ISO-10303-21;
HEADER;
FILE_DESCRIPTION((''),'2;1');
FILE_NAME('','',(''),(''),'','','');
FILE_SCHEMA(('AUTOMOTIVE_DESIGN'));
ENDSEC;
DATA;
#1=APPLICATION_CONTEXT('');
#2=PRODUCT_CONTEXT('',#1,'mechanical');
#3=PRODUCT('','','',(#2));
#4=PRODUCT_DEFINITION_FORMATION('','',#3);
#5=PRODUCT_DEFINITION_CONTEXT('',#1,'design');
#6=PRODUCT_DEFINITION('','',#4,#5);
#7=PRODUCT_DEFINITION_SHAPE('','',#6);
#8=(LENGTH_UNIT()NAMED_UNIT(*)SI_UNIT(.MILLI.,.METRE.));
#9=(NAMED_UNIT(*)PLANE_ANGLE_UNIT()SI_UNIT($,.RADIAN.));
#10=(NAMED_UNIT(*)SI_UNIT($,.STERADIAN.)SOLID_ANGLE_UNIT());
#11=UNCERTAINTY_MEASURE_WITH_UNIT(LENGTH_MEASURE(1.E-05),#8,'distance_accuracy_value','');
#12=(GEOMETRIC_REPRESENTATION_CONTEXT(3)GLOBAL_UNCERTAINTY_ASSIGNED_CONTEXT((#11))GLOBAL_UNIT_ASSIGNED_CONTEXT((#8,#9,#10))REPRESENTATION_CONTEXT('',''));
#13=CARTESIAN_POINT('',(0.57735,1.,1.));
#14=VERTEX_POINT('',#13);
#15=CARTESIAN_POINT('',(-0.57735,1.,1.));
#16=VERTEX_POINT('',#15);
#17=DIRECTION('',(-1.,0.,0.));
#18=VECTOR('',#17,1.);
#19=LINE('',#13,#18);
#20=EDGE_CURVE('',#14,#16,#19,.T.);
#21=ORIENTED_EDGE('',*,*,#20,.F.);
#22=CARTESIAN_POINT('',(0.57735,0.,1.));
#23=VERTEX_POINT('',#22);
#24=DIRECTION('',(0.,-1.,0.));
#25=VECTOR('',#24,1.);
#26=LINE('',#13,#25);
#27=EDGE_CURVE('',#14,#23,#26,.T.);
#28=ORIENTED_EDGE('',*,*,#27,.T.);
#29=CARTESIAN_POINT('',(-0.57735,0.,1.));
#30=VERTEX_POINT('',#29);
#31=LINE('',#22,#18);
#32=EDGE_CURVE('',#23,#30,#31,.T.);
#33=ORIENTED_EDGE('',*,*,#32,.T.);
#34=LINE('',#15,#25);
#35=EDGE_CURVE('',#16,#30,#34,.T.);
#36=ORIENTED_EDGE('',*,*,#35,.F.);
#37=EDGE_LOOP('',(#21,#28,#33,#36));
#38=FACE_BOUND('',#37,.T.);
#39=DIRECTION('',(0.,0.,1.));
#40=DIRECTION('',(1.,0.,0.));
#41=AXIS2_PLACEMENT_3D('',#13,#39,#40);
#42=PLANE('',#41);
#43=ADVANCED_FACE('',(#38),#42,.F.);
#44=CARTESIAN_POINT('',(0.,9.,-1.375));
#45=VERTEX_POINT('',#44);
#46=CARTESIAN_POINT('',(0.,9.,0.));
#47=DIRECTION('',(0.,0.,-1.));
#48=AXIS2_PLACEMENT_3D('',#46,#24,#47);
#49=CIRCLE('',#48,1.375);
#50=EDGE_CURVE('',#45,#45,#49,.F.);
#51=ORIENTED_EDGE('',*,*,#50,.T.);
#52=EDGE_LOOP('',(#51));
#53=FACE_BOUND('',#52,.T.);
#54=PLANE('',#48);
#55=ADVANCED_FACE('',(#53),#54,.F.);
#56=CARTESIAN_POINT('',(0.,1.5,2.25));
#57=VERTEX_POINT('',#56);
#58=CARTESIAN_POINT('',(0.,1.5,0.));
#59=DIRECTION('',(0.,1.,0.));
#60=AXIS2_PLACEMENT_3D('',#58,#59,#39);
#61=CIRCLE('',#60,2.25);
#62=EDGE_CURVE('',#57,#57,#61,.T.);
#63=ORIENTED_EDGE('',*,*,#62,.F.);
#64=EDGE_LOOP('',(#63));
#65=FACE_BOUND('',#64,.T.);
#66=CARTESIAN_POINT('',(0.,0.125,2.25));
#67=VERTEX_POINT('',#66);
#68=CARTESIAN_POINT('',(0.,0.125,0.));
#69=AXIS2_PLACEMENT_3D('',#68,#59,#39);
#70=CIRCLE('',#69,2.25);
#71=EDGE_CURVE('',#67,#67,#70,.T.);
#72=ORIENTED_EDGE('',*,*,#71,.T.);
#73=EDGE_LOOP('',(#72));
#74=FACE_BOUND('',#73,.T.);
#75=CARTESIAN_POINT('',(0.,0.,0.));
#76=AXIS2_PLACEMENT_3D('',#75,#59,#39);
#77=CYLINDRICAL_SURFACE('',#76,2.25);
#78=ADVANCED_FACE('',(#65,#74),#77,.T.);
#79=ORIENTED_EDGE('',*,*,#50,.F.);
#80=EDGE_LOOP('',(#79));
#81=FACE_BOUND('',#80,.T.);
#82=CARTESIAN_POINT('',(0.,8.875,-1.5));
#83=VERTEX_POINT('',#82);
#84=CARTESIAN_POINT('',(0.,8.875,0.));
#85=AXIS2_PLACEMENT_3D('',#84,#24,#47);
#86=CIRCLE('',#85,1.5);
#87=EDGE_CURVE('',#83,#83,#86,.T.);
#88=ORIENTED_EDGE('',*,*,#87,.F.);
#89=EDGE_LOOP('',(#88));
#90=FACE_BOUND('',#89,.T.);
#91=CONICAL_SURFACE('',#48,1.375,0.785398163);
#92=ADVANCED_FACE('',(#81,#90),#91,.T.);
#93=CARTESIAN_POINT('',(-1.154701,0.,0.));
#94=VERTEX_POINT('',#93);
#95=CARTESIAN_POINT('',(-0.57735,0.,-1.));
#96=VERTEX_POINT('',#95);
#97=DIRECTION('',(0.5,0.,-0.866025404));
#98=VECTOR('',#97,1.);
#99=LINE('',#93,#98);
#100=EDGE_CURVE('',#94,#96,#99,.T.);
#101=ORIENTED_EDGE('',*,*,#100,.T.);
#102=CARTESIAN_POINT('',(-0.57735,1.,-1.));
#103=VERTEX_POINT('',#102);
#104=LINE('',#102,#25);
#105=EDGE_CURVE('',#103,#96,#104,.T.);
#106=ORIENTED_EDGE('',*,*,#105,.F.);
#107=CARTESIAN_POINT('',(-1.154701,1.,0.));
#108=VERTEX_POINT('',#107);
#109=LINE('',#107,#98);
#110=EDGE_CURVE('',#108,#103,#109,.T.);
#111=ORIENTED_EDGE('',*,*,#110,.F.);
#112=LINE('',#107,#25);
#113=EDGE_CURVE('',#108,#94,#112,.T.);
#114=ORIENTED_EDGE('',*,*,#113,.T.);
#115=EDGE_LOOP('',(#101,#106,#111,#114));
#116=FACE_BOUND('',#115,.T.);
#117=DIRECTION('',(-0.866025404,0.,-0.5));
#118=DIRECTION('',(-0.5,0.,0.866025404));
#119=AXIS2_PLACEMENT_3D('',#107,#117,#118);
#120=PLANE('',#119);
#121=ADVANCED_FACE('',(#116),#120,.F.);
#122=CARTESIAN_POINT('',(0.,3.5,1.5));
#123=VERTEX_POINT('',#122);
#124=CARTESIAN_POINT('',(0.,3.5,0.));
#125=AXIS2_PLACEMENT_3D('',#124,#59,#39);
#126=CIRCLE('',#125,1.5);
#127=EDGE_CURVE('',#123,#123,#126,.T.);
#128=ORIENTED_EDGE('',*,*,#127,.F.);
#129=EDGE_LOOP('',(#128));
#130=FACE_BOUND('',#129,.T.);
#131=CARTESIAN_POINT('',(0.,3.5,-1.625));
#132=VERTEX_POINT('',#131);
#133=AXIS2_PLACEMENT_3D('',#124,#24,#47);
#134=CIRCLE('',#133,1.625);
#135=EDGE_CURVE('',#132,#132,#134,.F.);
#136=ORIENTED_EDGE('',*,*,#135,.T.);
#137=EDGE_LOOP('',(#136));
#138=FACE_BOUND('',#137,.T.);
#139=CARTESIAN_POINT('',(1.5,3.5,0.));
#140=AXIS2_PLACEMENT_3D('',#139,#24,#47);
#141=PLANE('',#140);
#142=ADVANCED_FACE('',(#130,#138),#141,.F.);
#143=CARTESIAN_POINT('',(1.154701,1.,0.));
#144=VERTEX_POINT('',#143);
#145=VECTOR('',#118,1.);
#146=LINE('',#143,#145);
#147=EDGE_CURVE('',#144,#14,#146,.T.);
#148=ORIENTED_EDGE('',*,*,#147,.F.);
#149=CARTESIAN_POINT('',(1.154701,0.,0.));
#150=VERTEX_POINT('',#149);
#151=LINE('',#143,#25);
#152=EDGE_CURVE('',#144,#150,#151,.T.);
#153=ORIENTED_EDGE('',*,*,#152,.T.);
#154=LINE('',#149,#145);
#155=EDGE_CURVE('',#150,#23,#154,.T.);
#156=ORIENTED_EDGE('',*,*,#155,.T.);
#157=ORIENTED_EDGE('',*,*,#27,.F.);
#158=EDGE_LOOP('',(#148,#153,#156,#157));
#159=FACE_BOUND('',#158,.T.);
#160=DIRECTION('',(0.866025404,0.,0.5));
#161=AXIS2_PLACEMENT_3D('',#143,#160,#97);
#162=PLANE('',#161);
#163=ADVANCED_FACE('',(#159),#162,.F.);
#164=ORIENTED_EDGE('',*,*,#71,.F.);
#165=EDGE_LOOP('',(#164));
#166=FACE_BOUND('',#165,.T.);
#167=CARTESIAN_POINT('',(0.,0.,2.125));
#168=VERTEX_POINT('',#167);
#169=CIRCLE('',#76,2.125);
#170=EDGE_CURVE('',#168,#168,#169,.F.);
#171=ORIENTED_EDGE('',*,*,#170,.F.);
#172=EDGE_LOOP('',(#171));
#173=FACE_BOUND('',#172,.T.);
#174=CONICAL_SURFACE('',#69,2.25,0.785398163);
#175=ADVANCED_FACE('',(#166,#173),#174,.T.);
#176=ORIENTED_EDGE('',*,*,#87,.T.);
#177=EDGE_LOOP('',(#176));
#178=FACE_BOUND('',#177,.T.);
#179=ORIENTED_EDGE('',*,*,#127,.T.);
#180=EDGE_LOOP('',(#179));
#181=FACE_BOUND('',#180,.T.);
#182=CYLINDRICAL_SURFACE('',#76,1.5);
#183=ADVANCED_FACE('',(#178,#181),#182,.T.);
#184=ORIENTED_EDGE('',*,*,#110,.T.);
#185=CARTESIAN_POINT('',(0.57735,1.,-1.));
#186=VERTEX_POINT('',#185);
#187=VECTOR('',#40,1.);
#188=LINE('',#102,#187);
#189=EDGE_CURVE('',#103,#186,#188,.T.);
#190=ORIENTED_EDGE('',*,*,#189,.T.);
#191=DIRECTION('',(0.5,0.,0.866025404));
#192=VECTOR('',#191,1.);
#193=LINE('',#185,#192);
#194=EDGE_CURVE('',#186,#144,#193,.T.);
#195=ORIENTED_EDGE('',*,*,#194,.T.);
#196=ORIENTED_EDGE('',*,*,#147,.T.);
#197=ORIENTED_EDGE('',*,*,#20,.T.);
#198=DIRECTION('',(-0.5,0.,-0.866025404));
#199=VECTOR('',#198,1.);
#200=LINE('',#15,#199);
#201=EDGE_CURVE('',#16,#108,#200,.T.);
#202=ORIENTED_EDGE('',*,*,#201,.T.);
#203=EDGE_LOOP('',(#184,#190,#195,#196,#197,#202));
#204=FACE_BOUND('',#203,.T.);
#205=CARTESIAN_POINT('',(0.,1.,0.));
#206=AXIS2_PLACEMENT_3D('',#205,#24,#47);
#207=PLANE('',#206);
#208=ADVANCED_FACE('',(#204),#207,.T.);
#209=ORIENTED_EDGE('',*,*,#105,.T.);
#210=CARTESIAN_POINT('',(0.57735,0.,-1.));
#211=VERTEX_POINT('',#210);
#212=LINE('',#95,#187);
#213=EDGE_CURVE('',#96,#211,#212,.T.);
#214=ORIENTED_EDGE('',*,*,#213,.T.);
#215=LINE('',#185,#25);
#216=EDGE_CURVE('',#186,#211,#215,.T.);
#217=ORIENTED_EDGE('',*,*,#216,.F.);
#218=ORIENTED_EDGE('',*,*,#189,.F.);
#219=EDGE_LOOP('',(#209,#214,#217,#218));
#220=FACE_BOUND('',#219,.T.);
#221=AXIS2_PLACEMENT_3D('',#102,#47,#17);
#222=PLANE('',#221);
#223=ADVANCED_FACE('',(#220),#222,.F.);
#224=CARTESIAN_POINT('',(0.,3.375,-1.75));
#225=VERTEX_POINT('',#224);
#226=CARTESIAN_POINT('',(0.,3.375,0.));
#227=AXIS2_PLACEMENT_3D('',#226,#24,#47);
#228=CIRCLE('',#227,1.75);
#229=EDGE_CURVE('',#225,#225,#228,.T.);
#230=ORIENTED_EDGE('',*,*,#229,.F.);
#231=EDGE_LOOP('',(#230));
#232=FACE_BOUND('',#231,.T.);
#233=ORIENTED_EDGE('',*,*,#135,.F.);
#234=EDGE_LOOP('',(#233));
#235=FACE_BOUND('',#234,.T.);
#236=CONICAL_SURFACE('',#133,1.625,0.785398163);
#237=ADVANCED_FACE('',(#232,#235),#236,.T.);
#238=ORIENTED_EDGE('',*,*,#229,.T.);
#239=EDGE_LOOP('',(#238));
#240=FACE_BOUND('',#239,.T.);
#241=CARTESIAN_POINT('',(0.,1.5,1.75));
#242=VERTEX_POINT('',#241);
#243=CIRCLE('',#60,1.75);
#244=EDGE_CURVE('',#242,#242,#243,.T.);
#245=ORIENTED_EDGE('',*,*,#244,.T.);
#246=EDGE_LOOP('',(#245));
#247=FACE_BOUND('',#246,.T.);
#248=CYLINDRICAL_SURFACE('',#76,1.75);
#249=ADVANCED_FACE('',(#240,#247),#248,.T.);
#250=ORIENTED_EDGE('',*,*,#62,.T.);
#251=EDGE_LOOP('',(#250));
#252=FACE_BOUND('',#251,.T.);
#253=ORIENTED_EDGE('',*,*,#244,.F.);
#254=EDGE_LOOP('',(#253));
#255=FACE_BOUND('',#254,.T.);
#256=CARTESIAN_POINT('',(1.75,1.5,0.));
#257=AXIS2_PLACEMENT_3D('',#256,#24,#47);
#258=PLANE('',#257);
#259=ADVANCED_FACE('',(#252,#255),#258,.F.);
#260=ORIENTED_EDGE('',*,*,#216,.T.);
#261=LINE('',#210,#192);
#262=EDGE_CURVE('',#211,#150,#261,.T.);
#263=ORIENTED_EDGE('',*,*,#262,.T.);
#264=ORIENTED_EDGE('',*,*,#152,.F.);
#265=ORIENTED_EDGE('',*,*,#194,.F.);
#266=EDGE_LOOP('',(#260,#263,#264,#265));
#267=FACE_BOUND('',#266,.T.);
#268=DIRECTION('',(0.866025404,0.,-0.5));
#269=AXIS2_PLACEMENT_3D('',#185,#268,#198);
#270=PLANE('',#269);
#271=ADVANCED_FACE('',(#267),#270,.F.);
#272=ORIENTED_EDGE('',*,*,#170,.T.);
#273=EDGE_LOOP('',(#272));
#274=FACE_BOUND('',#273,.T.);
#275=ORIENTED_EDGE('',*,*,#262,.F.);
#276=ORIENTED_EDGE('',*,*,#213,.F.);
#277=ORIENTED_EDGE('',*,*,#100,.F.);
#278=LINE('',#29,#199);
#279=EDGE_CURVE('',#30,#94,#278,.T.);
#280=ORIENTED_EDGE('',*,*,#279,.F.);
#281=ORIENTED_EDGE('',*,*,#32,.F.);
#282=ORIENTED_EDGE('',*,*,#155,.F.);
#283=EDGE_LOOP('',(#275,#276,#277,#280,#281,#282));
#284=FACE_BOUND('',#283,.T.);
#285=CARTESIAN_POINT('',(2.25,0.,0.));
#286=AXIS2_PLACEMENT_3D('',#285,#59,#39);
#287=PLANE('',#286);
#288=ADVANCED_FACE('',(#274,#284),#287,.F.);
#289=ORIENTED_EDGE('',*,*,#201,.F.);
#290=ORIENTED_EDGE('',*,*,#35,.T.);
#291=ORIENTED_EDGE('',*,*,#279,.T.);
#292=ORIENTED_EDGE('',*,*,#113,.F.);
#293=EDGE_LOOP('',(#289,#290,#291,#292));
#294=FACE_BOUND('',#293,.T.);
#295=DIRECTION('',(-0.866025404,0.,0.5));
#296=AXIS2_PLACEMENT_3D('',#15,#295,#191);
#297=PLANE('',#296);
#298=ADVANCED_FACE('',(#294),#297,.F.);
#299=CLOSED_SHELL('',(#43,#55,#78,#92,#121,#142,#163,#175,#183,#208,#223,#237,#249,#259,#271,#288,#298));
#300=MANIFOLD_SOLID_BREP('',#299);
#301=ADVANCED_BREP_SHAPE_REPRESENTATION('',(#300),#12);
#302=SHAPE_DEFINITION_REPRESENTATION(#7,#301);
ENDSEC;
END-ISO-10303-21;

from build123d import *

# Parameters (mm, degrees)
CUT_EXTRUDE1_DEPTH = 1
CHAMFER1_SIZE      = 0.125


with BuildPart() as part:
    # Sketch1 → Revolve1 (revolve)
    with BuildSketch(Plane.XY):
        Polygon((0, 0), (0, 9), (1.5, 9), (1.5, 3.5), (1.75, 3.5), (1.75, 1.5), (2.25, 1.5), (2.25, 0), align=None)
    revolve(axis=Axis((0, 0, 0), (0, -1, 0)))

    # Sketch2 → Cut-Extrude1 (cut)
    with BuildSketch(Plane.XZ):
        Polygon((1.154700538, 0), (0.577350269, 1), (-0.577350269, 1), (-1.154700538, 0), (-0.577350269, -1), (0.577350269, -1), align=None)
    extrude(amount=-CUT_EXTRUDE1_DEPTH, mode=Mode.SUBTRACT)

    # Chamfer1
    chamfer1_edges = [part.edges().sort_by_distance(p)[0] for p in [
        (-2.25, 0, 0),
        (-1.75, 3.5, 0),
        (-1.5, 9, 0),
    ]]
    chamfer(chamfer1_edges, length=CHAMFER1_SIZE)


solid = part.part
